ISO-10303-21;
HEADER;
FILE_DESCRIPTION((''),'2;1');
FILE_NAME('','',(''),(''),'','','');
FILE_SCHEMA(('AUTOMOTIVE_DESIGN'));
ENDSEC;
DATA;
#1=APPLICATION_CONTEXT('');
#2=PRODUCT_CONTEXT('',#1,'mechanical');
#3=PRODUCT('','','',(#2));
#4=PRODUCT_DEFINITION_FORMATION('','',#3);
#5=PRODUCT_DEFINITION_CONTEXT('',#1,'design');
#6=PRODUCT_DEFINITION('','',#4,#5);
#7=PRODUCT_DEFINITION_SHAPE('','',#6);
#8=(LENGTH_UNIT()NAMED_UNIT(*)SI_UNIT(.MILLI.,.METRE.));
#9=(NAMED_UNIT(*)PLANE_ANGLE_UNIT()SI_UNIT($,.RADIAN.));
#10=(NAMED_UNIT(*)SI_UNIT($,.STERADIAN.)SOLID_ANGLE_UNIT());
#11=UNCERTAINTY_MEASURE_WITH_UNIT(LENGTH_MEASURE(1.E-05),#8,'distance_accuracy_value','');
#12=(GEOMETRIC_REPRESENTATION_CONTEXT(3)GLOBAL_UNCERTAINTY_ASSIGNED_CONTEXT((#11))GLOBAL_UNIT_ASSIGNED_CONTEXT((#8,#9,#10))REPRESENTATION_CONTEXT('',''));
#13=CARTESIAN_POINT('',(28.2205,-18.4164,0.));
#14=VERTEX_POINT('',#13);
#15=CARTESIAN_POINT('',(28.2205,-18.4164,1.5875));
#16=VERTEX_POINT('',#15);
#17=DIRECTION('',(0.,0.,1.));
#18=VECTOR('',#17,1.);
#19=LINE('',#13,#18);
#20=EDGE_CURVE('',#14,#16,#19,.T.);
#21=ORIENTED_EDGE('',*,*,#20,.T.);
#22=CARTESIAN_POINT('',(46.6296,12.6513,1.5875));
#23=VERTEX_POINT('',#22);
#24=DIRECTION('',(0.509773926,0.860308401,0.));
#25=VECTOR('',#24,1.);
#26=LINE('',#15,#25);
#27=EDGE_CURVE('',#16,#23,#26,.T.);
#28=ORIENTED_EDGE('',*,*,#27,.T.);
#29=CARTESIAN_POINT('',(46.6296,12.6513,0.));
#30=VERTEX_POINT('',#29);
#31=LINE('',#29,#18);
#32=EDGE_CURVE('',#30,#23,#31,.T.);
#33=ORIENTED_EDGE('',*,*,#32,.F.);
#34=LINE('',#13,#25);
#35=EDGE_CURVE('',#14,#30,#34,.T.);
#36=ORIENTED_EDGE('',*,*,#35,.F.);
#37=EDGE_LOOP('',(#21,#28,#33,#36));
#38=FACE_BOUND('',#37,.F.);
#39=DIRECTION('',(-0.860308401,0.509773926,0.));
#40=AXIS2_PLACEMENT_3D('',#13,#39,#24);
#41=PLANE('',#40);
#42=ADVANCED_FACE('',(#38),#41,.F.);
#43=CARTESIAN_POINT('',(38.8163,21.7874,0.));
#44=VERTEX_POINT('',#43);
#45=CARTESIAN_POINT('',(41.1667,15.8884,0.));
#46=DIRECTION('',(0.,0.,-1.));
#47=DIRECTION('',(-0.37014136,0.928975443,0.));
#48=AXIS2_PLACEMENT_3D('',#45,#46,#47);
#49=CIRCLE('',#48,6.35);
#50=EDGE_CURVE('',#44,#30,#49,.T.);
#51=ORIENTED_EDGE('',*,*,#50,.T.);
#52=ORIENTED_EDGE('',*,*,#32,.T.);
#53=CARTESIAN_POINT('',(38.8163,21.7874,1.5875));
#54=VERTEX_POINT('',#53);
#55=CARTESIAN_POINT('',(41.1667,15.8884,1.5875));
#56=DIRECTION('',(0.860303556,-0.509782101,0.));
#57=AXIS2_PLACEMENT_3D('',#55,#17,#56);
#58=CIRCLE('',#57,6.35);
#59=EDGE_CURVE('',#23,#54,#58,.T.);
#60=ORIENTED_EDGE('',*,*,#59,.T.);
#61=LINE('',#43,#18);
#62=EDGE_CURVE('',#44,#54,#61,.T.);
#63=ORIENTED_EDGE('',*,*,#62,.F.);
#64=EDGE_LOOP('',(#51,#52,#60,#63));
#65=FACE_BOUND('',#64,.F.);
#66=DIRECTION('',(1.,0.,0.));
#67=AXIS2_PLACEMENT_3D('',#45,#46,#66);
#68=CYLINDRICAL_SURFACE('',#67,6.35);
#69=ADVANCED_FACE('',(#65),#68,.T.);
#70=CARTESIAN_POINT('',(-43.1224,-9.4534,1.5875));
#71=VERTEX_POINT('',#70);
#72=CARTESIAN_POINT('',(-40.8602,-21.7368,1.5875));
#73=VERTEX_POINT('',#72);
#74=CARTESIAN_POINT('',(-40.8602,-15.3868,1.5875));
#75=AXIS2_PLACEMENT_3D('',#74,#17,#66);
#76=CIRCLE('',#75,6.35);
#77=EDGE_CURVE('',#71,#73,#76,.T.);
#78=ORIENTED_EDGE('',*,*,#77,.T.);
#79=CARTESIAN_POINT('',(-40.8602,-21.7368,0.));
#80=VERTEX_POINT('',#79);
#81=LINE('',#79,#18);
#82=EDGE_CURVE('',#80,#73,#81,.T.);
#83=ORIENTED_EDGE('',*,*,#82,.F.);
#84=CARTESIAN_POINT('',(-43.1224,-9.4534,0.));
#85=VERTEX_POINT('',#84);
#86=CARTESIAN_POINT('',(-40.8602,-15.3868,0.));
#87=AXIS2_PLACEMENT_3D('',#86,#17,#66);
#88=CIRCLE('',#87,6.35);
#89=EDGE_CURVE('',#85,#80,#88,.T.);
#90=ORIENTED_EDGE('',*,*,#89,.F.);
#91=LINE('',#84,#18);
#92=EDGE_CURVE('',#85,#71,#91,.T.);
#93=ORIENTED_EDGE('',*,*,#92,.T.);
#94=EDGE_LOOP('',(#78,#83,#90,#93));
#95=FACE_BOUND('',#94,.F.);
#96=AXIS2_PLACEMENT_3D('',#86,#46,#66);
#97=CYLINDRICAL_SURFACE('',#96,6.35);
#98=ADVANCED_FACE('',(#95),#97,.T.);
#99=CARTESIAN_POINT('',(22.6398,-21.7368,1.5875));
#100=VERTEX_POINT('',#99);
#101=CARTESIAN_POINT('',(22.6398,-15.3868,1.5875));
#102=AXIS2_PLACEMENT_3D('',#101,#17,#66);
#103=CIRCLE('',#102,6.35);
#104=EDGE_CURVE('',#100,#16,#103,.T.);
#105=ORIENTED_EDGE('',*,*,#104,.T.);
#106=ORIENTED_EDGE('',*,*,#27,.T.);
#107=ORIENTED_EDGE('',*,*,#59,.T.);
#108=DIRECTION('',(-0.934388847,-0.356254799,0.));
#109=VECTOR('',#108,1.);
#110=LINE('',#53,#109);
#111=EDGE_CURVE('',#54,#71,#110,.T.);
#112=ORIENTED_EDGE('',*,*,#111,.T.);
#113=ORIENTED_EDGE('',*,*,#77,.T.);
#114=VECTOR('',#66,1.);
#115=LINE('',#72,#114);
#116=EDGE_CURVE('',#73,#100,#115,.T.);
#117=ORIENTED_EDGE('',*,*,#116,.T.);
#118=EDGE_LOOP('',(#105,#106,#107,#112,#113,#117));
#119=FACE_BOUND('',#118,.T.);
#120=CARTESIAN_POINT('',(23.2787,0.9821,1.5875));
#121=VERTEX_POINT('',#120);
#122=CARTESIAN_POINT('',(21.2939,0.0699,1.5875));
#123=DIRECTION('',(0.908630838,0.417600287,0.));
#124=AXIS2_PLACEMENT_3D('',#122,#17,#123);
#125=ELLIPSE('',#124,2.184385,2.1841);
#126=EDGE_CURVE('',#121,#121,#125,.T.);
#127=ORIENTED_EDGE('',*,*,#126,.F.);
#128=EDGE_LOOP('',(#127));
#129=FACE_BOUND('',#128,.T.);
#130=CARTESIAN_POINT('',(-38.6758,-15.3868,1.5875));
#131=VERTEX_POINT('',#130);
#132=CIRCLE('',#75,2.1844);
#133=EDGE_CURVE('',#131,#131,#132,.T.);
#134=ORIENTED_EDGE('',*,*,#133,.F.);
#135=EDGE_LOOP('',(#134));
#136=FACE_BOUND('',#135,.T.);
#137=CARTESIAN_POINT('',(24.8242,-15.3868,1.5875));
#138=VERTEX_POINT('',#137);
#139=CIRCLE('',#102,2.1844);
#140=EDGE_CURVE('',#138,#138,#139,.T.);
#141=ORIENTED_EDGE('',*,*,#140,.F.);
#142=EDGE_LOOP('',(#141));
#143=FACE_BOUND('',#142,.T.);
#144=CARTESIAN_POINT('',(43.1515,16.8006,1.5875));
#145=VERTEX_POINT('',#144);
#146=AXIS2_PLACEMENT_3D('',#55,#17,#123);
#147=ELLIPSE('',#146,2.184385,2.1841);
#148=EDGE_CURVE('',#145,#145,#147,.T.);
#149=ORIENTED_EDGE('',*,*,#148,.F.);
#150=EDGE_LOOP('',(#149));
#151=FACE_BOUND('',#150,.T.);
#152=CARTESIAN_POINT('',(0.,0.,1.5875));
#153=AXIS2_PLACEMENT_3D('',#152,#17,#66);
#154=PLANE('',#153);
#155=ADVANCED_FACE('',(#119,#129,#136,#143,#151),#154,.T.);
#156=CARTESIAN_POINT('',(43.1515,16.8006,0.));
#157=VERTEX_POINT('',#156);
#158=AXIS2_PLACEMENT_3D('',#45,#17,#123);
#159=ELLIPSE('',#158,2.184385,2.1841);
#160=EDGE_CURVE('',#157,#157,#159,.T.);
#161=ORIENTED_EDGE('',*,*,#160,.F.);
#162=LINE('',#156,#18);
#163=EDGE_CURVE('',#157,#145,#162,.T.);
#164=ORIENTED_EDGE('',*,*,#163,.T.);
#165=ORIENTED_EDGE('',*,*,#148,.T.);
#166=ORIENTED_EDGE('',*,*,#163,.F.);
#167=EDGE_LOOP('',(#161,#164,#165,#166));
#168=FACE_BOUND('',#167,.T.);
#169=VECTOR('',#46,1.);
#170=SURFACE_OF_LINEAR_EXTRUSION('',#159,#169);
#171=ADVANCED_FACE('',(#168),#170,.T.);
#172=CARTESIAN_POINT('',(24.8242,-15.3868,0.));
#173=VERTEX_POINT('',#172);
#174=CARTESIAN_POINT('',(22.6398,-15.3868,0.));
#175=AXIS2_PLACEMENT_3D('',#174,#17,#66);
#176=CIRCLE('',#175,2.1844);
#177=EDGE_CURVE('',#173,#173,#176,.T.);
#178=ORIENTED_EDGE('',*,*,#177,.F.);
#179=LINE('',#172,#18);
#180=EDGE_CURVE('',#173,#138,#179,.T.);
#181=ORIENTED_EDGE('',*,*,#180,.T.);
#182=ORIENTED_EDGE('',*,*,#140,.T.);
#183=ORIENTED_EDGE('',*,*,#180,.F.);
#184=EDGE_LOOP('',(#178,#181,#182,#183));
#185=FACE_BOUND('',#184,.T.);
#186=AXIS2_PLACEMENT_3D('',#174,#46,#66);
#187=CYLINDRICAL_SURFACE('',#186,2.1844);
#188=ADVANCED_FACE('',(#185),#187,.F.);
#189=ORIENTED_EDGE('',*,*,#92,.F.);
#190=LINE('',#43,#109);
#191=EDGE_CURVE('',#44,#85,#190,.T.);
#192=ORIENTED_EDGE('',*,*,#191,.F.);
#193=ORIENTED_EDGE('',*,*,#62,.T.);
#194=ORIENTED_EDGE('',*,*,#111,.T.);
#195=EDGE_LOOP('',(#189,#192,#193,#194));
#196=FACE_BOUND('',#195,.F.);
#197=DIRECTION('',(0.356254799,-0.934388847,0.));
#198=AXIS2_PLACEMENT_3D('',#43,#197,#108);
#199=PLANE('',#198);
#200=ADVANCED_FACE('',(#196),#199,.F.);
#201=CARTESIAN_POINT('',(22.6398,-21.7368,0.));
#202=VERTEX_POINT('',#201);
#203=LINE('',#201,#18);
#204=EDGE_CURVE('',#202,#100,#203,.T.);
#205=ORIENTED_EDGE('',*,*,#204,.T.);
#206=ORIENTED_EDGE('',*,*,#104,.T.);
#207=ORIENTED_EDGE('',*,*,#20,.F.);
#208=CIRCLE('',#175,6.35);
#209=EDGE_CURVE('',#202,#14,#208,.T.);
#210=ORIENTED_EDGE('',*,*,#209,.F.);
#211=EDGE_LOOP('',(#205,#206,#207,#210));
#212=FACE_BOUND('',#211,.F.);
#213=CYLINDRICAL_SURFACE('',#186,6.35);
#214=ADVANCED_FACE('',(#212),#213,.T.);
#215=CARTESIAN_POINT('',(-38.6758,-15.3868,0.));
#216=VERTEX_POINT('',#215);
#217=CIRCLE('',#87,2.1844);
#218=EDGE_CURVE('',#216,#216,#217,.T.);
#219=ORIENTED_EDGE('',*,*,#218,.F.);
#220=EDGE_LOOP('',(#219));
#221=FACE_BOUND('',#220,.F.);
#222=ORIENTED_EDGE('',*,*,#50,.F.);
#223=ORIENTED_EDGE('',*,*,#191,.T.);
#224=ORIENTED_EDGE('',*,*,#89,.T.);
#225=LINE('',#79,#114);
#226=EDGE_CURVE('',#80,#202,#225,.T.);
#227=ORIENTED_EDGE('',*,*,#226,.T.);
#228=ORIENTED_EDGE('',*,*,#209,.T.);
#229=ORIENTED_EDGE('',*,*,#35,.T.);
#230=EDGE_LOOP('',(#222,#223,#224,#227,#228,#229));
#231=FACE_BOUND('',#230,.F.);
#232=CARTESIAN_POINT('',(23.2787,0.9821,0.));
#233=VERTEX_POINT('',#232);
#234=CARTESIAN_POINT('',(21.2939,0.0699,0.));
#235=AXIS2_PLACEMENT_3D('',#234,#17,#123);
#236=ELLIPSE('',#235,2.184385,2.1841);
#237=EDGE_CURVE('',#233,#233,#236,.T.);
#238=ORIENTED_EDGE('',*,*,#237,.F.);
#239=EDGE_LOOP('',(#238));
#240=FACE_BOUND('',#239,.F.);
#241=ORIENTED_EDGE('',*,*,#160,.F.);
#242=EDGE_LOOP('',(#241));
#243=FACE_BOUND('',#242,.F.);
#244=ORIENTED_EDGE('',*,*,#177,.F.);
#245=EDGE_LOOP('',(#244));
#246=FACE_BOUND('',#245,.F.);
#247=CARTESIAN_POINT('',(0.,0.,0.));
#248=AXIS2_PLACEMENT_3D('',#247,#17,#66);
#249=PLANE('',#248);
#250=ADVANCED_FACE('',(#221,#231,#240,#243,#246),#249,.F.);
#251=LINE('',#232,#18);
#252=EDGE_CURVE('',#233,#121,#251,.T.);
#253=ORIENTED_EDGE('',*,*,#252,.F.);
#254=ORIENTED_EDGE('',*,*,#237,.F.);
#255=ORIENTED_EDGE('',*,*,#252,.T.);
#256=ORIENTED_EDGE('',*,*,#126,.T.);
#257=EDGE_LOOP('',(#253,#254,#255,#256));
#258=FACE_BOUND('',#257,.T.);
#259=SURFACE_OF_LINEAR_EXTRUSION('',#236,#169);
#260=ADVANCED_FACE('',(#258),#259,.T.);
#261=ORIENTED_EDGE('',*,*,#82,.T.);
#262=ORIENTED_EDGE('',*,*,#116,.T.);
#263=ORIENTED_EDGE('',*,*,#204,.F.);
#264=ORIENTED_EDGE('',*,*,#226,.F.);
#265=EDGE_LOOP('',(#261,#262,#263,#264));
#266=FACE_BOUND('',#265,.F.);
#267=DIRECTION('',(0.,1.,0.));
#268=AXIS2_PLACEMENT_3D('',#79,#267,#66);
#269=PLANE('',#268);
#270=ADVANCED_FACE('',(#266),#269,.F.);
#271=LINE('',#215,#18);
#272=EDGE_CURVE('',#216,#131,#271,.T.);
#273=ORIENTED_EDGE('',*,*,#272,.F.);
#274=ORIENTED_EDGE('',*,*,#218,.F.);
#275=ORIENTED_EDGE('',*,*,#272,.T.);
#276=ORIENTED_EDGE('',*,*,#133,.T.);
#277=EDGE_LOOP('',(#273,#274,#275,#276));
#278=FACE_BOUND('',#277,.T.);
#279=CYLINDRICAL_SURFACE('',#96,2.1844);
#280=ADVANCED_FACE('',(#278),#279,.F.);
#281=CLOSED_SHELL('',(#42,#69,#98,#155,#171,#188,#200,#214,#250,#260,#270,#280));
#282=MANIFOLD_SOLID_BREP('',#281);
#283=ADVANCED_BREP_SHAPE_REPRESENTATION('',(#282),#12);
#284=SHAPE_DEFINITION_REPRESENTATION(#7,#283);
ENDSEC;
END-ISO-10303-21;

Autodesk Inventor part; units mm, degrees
ref_plane "YZ Plane" through (0, 0, 0) normal (1, 0, 0) x (0, 1, 0)
ref_plane "XZ Plane" through (0, 0, 0) normal (0, 1, 0) x (-1, 0, 0)
ref_plane "XY Plane" through (0, 0, 0) normal (0, 0, 1) x (1, 0, 0)
sketch "Sketch1" plane through (0, 0, 0) normal (0, 0, 1) x (1, 0, 0)
  ellipse E0 centre (41.1667, 15.8884) end of major axis (43.1515, 16.8006) minor radius 2.1841
  ellipse E1 centre (21.2939, 0.0699) end of major axis (23.2787, 0.9821) minor radius 2.1841
  circle A0 centre (22.6398, -15.3868) radius 2.1844
  circle A1 centre (-40.8602, -15.3868) radius 2.1844
  circle A2 centre (-40.8602, -15.3868) radius 6.35
  circle A3 centre (22.6398, -15.3868) radius 6.35
  circle A4 centre (41.1667, 15.8884) radius 6.35
  line L0 (28.2205, -18.4164) -> (46.6296, 12.6513)
  line L1 (38.8163, 21.7874) -> (-43.1224, -9.4534)
  line L2 (-40.8602, -21.7368) -> (22.6398, -21.7368)
  point P0 (0, 0)
  dimension "d0" = 12.7
  dimension "d1" = 12.7
  dimension "d2" = 12.7
extrude "Extrusion1" add sketch "Sketch1" along normal blind 1.5875
properties part number "intakesupportpoly"
